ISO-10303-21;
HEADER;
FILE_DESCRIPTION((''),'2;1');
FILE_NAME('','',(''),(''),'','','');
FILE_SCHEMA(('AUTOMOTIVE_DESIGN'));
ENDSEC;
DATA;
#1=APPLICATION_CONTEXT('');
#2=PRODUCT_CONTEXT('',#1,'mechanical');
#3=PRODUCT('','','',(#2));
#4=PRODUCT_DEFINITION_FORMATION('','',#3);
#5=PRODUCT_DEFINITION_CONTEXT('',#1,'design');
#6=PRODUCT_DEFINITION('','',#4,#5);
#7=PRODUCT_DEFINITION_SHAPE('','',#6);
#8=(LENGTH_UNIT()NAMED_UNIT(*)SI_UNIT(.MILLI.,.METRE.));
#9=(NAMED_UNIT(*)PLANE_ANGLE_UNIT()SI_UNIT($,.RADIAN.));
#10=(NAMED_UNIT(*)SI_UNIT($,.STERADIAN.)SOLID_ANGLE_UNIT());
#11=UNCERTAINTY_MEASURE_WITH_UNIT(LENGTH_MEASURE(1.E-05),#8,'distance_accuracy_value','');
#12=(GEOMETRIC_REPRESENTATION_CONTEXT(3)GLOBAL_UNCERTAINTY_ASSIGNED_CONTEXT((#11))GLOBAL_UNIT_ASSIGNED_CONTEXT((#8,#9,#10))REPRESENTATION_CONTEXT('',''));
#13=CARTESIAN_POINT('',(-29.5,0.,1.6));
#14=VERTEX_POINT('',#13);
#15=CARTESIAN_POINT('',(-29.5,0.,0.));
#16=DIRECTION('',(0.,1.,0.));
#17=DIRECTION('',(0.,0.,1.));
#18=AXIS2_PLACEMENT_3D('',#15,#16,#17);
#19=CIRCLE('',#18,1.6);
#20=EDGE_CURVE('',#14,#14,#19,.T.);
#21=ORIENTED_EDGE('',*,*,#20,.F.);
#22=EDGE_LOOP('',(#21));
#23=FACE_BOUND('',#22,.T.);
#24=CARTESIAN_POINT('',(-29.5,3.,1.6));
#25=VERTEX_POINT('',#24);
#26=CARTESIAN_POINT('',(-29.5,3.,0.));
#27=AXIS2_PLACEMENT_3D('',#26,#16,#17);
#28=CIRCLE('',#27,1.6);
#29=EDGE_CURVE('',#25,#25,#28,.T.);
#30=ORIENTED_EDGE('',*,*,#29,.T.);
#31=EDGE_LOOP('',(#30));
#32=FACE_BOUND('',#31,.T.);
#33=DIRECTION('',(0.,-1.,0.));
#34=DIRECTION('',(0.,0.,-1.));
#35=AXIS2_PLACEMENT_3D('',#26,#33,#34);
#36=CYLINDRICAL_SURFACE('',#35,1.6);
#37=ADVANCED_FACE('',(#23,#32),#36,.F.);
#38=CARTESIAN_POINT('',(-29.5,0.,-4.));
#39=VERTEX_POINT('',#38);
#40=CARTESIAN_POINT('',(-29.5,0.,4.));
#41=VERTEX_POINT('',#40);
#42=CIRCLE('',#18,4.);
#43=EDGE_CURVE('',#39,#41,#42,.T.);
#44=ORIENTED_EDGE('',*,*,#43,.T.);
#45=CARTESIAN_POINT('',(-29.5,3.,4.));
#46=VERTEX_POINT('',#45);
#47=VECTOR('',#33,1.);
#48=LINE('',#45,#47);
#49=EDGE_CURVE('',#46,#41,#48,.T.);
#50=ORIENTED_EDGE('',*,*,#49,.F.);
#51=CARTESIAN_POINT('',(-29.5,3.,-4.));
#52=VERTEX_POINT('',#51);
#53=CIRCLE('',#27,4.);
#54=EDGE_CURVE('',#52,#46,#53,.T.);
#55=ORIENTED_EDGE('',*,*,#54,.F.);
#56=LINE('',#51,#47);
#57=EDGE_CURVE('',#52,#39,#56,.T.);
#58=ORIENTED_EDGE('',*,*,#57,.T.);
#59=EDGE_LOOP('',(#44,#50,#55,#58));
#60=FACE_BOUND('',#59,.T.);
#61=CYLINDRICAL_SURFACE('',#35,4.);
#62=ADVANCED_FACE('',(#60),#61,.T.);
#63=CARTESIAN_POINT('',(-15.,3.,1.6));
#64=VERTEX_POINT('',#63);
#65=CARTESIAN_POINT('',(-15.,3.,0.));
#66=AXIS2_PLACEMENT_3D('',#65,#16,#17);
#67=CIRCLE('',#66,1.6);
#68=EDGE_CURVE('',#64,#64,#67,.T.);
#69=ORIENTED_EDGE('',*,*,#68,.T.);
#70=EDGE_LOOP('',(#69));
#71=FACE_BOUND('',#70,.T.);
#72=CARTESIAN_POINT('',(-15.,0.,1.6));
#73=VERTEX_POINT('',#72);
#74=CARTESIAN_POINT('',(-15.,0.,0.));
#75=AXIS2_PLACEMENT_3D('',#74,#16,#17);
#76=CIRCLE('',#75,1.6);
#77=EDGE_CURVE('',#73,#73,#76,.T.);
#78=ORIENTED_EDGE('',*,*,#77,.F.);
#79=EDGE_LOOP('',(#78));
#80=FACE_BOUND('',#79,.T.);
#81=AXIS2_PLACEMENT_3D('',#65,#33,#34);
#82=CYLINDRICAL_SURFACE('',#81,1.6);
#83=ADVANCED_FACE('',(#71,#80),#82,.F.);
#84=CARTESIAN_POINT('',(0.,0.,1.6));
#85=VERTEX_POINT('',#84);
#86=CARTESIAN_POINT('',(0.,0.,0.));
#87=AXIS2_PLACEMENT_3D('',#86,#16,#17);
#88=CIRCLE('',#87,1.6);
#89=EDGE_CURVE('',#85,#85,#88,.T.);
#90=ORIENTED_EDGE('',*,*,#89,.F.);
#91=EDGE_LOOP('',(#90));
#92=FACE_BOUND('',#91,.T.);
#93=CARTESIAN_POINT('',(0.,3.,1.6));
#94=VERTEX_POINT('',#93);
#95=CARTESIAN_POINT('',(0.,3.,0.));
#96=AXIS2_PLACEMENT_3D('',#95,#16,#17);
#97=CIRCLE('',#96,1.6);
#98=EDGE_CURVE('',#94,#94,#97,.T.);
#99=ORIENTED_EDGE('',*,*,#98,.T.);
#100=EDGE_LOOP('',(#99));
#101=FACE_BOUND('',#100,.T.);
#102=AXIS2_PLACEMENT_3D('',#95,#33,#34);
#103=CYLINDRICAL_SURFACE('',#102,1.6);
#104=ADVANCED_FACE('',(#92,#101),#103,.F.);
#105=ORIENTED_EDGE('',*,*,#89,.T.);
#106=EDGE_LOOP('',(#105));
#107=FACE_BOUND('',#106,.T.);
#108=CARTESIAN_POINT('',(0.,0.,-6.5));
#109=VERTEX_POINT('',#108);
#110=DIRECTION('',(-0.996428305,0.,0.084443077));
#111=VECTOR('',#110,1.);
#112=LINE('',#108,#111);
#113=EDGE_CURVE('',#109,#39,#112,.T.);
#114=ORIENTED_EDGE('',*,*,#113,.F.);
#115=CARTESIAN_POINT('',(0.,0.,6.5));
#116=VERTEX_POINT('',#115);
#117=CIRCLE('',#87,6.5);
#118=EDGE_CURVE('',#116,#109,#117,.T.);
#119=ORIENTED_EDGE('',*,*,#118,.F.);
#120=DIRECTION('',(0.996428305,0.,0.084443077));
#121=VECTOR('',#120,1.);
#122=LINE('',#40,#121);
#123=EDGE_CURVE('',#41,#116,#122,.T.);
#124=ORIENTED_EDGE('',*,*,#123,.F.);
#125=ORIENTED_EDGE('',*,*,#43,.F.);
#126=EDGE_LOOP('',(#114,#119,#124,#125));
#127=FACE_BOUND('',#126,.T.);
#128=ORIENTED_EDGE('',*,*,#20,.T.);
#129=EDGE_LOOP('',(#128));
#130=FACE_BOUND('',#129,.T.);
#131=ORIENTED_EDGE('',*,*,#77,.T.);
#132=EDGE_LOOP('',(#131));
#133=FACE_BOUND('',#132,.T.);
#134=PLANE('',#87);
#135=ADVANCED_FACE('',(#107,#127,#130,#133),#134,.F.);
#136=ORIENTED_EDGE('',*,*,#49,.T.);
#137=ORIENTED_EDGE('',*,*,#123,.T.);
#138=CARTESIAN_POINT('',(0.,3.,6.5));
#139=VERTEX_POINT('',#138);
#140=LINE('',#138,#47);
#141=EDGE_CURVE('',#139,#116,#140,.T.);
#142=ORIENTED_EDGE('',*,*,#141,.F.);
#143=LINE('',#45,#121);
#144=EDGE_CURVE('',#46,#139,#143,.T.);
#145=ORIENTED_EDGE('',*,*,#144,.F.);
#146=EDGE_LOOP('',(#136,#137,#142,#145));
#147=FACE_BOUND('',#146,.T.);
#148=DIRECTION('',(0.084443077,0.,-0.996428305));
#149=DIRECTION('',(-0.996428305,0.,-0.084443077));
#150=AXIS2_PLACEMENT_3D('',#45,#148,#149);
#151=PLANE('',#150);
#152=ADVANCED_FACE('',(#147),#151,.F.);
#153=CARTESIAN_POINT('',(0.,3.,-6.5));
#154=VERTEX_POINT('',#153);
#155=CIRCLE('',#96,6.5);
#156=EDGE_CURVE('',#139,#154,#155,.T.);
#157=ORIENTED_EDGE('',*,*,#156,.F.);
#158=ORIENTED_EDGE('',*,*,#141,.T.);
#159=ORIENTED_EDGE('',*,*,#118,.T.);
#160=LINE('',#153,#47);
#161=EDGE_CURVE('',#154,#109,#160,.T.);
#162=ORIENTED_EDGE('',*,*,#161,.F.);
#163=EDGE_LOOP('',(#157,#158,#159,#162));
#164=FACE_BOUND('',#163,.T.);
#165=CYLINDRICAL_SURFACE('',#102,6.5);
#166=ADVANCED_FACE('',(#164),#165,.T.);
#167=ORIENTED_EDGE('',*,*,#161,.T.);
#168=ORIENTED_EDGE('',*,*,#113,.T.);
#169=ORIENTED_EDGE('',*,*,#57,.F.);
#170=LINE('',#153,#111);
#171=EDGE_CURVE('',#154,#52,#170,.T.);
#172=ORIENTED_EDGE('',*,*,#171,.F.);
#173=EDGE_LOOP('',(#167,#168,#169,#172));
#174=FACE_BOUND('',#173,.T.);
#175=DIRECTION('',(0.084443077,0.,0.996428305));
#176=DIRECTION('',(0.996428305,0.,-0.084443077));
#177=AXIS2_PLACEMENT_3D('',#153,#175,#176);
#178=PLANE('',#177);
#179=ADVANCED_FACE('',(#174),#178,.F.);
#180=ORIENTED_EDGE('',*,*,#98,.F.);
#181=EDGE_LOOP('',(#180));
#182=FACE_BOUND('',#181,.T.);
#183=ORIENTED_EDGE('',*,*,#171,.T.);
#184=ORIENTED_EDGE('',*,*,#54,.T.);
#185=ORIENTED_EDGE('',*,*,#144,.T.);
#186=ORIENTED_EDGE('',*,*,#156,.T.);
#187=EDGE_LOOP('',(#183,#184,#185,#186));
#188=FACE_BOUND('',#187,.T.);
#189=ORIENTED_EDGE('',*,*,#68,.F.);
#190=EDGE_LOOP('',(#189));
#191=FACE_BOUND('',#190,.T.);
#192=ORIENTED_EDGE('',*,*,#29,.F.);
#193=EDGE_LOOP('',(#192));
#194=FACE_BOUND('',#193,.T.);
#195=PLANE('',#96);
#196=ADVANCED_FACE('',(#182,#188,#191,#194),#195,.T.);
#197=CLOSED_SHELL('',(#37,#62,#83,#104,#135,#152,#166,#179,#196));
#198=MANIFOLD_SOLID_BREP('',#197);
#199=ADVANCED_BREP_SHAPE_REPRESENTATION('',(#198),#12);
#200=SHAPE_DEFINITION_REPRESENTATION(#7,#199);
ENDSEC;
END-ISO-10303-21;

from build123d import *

# Parameters (mm, degrees)
SKETCH_1_R      = 1.6
EXTRUDE_1_DEPTH = 3


with BuildPart() as part:
    # ｽｹｯﾁ1 → ﾎﾞｽ - 押し出し1 (new body)
    with BuildSketch(Plane(origin=(0, 0, 0), x_dir=(1, 0, 0), z_dir=(0, 1, 0))):
        with BuildLine():
            Line((0, 6.5), (-29.5, 4))
            ThreePointArc((-29.5, 4), (-33.5, 0), (-29.5, -4))
            Line((-29.5, -4), (0, -6.5))
            ThreePointArc((0, -6.5), (6.5, 0), (0, 6.5))
        make_face()
        with Locations(Location((0, 0, 0), (0, 0, 270))):
            Circle(SKETCH_1_R, mode=Mode.SUBTRACT)
        with Locations(Location((-15, 0, 0), (0, 0, 270))):
            Circle(SKETCH_1_R, mode=Mode.SUBTRACT)
        with Locations(Location((-29.5, 0, 0), (0, 0, 270))):
            Circle(SKETCH_1_R, mode=Mode.SUBTRACT)
    extrude(amount=EXTRUDE_1_DEPTH)


solid = part.part
